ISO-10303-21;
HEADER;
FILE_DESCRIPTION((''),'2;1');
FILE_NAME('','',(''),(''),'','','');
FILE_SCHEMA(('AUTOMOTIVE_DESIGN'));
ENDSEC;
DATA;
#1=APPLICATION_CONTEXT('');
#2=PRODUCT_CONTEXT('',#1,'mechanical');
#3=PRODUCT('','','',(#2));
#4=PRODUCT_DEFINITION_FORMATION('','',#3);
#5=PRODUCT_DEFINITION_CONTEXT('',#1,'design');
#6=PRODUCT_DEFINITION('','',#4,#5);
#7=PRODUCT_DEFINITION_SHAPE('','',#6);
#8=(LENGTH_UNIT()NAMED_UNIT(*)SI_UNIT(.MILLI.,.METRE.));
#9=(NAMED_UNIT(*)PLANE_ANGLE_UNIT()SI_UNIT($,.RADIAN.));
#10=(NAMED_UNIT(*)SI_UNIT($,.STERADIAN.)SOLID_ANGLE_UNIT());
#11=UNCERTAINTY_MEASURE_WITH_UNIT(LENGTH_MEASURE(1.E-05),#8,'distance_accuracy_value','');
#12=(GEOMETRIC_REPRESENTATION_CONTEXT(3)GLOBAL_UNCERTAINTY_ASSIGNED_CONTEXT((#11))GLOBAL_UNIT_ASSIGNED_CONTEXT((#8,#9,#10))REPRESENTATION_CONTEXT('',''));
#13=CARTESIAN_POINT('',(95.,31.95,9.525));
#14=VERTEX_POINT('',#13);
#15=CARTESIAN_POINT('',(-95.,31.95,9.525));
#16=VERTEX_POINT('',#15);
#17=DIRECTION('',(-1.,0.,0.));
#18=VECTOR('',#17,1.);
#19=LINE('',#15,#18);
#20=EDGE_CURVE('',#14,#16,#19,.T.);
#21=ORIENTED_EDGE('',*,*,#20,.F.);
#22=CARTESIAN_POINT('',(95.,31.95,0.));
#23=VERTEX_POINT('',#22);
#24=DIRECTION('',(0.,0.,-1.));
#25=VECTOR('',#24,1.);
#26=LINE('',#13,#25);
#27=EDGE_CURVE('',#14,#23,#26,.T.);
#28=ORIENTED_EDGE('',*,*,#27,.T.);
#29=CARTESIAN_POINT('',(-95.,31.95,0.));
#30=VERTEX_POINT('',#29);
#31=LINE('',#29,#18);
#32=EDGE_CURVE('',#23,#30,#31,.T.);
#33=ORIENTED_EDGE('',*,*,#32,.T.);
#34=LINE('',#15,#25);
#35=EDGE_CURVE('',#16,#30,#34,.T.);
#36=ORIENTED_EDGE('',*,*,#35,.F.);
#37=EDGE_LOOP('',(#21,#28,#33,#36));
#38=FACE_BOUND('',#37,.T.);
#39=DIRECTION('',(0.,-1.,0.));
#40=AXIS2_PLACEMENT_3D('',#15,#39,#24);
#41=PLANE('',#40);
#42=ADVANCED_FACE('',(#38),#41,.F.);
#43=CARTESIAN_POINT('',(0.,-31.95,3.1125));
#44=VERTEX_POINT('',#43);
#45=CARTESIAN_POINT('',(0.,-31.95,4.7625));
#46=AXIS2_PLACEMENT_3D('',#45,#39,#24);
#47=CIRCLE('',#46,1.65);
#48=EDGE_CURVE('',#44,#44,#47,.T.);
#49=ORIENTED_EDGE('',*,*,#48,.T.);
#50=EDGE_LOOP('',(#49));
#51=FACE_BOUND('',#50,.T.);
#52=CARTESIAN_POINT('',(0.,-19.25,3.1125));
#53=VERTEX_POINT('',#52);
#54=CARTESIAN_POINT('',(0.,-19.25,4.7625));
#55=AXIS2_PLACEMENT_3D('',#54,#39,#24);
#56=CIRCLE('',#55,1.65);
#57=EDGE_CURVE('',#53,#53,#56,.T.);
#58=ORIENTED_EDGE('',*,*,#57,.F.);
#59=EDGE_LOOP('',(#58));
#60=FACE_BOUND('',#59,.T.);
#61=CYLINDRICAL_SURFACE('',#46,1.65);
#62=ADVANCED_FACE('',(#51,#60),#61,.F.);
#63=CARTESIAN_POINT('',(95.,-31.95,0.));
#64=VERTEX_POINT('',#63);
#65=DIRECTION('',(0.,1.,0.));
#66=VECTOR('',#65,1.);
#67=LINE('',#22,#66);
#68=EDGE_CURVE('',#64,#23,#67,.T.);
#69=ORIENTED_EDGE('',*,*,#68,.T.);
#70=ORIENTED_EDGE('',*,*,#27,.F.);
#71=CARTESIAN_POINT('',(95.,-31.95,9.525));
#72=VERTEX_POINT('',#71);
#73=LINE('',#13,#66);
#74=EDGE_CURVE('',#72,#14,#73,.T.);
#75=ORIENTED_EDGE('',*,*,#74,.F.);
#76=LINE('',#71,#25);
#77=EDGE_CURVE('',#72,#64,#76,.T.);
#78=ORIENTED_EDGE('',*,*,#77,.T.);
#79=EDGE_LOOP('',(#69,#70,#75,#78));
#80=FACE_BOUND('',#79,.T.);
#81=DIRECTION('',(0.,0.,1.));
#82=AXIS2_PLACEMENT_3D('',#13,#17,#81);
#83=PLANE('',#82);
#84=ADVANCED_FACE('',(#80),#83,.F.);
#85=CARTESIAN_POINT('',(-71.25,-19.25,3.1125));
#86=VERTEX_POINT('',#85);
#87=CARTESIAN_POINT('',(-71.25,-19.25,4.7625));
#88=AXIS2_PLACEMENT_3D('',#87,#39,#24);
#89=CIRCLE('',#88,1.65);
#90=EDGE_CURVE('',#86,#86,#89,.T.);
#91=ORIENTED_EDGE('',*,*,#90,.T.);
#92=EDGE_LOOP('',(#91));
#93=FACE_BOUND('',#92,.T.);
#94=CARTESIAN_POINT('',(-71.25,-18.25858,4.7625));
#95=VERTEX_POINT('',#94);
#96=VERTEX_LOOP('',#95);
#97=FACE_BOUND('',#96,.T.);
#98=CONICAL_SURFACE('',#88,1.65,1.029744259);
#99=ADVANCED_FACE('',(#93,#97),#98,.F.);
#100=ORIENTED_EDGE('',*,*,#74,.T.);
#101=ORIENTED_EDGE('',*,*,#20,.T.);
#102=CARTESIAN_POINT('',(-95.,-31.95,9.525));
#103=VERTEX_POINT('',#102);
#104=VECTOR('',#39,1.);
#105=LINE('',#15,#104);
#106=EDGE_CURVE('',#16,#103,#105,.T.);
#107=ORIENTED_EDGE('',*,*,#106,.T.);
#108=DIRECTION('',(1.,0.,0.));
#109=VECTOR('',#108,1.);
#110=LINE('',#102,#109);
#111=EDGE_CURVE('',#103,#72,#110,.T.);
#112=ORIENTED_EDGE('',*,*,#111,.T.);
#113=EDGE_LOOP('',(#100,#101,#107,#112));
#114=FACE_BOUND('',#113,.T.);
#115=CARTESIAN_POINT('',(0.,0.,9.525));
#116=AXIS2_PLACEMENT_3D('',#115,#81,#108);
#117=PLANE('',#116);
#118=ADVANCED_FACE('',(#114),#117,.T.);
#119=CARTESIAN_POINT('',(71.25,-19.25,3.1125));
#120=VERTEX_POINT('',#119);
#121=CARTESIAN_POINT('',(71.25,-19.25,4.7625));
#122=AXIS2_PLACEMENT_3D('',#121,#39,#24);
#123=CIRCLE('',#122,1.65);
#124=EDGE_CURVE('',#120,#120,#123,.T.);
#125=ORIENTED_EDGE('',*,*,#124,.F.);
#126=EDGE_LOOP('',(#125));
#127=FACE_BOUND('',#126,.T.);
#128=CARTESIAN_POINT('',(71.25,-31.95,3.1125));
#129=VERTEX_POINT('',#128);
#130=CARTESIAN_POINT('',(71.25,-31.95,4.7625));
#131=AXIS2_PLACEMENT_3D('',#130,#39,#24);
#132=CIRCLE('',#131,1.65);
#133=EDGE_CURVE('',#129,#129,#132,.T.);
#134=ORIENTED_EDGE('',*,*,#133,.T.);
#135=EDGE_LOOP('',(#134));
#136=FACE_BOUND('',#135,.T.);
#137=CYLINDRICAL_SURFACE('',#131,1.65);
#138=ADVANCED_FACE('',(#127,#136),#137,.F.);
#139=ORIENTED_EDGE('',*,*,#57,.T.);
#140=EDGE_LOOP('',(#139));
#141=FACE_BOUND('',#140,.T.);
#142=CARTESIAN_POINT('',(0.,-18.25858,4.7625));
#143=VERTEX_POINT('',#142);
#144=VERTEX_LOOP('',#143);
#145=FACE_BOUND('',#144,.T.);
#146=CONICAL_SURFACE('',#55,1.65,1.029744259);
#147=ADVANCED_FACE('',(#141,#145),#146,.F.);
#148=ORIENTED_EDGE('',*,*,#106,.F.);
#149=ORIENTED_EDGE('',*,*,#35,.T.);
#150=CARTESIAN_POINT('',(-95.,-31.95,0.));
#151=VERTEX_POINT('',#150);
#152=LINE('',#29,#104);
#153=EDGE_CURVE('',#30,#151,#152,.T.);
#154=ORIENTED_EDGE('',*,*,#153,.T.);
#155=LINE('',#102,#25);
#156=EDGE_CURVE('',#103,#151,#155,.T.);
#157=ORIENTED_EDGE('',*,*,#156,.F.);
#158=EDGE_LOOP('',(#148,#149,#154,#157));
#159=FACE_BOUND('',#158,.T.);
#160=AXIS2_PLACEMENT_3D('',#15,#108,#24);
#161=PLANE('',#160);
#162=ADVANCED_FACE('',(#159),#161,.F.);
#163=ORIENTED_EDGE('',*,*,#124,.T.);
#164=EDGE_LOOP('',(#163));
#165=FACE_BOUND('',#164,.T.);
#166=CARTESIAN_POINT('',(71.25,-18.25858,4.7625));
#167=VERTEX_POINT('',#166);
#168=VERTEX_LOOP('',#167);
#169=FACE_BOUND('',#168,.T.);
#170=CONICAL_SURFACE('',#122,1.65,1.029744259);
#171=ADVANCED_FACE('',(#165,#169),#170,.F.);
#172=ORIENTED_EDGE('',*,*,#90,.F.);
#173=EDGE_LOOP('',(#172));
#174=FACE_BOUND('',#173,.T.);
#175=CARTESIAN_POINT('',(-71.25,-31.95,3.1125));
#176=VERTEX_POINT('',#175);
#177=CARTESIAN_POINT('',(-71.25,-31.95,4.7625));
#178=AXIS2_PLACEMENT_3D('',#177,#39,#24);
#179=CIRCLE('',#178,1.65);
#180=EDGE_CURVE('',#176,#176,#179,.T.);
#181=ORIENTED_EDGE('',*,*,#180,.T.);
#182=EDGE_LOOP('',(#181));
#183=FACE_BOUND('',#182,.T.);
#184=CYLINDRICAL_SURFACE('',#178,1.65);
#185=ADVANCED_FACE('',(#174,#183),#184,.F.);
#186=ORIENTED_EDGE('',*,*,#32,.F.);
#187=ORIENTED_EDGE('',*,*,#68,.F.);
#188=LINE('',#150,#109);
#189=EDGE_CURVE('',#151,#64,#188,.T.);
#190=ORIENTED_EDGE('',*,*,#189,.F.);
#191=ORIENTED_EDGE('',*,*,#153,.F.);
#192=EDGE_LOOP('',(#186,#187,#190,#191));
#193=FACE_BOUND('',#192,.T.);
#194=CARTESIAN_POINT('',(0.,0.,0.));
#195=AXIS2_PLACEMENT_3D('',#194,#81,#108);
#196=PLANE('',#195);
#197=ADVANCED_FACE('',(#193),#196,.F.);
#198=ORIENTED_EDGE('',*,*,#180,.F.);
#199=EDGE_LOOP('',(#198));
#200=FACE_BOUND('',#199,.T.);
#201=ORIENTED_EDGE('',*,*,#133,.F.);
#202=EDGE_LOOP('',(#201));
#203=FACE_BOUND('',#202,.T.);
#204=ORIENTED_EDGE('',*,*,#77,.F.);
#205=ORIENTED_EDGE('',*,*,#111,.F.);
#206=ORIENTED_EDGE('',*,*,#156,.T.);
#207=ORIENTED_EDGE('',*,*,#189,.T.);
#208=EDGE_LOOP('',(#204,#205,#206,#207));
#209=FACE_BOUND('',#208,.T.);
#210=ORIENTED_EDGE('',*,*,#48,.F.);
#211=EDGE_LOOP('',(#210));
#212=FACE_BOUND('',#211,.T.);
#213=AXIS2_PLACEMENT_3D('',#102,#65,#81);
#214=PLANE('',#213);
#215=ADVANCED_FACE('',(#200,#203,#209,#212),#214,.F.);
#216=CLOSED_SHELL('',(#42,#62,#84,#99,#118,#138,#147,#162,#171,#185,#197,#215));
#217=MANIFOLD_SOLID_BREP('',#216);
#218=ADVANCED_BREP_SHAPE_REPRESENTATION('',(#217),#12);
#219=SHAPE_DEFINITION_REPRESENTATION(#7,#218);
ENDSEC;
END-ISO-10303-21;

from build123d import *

# Parameters (mm, degrees)
SKETCH1_W                   = 190
SKETCH1_H                   = 63.9
BOSS_EXTRUDE1_DEPTH         = 9.525
TAP_DRILL_FOR_M4_TAP1_D     = 3.3
TAP_DRILL_FOR_M4_TAP1_DEPTH = 12.7
TAP_DRILL_FOR_M4_TAP1_TIP   = 0.991420021


with BuildPart() as part:
    # Sketch1 → Boss-Extrude1 (new body)
    with BuildSketch(Plane.XY):
        Rectangle(SKETCH1_W, SKETCH1_H)
    extrude(amount=BOSS_EXTRUDE1_DEPTH)

    # Tap Drill for M4 Tap1
    with Locations(Plane(origin=(0, -31.95, 0), x_dir=(-1, 0, 0), z_dir=(0, -1, 0))):
        with Locations((-71.25, -4.7625), (0, -4.7625), (71.25, -4.7625)):
            Hole(TAP_DRILL_FOR_M4_TAP1_D / 2, depth=TAP_DRILL_FOR_M4_TAP1_DEPTH)
            with Locations((0, 0, -(TAP_DRILL_FOR_M4_TAP1_DEPTH + TAP_DRILL_FOR_M4_TAP1_TIP / 2))):  # 118° drill point
                Cone(0, TAP_DRILL_FOR_M4_TAP1_D / 2, TAP_DRILL_FOR_M4_TAP1_TIP, mode=Mode.SUBTRACT)


solid = part.part
